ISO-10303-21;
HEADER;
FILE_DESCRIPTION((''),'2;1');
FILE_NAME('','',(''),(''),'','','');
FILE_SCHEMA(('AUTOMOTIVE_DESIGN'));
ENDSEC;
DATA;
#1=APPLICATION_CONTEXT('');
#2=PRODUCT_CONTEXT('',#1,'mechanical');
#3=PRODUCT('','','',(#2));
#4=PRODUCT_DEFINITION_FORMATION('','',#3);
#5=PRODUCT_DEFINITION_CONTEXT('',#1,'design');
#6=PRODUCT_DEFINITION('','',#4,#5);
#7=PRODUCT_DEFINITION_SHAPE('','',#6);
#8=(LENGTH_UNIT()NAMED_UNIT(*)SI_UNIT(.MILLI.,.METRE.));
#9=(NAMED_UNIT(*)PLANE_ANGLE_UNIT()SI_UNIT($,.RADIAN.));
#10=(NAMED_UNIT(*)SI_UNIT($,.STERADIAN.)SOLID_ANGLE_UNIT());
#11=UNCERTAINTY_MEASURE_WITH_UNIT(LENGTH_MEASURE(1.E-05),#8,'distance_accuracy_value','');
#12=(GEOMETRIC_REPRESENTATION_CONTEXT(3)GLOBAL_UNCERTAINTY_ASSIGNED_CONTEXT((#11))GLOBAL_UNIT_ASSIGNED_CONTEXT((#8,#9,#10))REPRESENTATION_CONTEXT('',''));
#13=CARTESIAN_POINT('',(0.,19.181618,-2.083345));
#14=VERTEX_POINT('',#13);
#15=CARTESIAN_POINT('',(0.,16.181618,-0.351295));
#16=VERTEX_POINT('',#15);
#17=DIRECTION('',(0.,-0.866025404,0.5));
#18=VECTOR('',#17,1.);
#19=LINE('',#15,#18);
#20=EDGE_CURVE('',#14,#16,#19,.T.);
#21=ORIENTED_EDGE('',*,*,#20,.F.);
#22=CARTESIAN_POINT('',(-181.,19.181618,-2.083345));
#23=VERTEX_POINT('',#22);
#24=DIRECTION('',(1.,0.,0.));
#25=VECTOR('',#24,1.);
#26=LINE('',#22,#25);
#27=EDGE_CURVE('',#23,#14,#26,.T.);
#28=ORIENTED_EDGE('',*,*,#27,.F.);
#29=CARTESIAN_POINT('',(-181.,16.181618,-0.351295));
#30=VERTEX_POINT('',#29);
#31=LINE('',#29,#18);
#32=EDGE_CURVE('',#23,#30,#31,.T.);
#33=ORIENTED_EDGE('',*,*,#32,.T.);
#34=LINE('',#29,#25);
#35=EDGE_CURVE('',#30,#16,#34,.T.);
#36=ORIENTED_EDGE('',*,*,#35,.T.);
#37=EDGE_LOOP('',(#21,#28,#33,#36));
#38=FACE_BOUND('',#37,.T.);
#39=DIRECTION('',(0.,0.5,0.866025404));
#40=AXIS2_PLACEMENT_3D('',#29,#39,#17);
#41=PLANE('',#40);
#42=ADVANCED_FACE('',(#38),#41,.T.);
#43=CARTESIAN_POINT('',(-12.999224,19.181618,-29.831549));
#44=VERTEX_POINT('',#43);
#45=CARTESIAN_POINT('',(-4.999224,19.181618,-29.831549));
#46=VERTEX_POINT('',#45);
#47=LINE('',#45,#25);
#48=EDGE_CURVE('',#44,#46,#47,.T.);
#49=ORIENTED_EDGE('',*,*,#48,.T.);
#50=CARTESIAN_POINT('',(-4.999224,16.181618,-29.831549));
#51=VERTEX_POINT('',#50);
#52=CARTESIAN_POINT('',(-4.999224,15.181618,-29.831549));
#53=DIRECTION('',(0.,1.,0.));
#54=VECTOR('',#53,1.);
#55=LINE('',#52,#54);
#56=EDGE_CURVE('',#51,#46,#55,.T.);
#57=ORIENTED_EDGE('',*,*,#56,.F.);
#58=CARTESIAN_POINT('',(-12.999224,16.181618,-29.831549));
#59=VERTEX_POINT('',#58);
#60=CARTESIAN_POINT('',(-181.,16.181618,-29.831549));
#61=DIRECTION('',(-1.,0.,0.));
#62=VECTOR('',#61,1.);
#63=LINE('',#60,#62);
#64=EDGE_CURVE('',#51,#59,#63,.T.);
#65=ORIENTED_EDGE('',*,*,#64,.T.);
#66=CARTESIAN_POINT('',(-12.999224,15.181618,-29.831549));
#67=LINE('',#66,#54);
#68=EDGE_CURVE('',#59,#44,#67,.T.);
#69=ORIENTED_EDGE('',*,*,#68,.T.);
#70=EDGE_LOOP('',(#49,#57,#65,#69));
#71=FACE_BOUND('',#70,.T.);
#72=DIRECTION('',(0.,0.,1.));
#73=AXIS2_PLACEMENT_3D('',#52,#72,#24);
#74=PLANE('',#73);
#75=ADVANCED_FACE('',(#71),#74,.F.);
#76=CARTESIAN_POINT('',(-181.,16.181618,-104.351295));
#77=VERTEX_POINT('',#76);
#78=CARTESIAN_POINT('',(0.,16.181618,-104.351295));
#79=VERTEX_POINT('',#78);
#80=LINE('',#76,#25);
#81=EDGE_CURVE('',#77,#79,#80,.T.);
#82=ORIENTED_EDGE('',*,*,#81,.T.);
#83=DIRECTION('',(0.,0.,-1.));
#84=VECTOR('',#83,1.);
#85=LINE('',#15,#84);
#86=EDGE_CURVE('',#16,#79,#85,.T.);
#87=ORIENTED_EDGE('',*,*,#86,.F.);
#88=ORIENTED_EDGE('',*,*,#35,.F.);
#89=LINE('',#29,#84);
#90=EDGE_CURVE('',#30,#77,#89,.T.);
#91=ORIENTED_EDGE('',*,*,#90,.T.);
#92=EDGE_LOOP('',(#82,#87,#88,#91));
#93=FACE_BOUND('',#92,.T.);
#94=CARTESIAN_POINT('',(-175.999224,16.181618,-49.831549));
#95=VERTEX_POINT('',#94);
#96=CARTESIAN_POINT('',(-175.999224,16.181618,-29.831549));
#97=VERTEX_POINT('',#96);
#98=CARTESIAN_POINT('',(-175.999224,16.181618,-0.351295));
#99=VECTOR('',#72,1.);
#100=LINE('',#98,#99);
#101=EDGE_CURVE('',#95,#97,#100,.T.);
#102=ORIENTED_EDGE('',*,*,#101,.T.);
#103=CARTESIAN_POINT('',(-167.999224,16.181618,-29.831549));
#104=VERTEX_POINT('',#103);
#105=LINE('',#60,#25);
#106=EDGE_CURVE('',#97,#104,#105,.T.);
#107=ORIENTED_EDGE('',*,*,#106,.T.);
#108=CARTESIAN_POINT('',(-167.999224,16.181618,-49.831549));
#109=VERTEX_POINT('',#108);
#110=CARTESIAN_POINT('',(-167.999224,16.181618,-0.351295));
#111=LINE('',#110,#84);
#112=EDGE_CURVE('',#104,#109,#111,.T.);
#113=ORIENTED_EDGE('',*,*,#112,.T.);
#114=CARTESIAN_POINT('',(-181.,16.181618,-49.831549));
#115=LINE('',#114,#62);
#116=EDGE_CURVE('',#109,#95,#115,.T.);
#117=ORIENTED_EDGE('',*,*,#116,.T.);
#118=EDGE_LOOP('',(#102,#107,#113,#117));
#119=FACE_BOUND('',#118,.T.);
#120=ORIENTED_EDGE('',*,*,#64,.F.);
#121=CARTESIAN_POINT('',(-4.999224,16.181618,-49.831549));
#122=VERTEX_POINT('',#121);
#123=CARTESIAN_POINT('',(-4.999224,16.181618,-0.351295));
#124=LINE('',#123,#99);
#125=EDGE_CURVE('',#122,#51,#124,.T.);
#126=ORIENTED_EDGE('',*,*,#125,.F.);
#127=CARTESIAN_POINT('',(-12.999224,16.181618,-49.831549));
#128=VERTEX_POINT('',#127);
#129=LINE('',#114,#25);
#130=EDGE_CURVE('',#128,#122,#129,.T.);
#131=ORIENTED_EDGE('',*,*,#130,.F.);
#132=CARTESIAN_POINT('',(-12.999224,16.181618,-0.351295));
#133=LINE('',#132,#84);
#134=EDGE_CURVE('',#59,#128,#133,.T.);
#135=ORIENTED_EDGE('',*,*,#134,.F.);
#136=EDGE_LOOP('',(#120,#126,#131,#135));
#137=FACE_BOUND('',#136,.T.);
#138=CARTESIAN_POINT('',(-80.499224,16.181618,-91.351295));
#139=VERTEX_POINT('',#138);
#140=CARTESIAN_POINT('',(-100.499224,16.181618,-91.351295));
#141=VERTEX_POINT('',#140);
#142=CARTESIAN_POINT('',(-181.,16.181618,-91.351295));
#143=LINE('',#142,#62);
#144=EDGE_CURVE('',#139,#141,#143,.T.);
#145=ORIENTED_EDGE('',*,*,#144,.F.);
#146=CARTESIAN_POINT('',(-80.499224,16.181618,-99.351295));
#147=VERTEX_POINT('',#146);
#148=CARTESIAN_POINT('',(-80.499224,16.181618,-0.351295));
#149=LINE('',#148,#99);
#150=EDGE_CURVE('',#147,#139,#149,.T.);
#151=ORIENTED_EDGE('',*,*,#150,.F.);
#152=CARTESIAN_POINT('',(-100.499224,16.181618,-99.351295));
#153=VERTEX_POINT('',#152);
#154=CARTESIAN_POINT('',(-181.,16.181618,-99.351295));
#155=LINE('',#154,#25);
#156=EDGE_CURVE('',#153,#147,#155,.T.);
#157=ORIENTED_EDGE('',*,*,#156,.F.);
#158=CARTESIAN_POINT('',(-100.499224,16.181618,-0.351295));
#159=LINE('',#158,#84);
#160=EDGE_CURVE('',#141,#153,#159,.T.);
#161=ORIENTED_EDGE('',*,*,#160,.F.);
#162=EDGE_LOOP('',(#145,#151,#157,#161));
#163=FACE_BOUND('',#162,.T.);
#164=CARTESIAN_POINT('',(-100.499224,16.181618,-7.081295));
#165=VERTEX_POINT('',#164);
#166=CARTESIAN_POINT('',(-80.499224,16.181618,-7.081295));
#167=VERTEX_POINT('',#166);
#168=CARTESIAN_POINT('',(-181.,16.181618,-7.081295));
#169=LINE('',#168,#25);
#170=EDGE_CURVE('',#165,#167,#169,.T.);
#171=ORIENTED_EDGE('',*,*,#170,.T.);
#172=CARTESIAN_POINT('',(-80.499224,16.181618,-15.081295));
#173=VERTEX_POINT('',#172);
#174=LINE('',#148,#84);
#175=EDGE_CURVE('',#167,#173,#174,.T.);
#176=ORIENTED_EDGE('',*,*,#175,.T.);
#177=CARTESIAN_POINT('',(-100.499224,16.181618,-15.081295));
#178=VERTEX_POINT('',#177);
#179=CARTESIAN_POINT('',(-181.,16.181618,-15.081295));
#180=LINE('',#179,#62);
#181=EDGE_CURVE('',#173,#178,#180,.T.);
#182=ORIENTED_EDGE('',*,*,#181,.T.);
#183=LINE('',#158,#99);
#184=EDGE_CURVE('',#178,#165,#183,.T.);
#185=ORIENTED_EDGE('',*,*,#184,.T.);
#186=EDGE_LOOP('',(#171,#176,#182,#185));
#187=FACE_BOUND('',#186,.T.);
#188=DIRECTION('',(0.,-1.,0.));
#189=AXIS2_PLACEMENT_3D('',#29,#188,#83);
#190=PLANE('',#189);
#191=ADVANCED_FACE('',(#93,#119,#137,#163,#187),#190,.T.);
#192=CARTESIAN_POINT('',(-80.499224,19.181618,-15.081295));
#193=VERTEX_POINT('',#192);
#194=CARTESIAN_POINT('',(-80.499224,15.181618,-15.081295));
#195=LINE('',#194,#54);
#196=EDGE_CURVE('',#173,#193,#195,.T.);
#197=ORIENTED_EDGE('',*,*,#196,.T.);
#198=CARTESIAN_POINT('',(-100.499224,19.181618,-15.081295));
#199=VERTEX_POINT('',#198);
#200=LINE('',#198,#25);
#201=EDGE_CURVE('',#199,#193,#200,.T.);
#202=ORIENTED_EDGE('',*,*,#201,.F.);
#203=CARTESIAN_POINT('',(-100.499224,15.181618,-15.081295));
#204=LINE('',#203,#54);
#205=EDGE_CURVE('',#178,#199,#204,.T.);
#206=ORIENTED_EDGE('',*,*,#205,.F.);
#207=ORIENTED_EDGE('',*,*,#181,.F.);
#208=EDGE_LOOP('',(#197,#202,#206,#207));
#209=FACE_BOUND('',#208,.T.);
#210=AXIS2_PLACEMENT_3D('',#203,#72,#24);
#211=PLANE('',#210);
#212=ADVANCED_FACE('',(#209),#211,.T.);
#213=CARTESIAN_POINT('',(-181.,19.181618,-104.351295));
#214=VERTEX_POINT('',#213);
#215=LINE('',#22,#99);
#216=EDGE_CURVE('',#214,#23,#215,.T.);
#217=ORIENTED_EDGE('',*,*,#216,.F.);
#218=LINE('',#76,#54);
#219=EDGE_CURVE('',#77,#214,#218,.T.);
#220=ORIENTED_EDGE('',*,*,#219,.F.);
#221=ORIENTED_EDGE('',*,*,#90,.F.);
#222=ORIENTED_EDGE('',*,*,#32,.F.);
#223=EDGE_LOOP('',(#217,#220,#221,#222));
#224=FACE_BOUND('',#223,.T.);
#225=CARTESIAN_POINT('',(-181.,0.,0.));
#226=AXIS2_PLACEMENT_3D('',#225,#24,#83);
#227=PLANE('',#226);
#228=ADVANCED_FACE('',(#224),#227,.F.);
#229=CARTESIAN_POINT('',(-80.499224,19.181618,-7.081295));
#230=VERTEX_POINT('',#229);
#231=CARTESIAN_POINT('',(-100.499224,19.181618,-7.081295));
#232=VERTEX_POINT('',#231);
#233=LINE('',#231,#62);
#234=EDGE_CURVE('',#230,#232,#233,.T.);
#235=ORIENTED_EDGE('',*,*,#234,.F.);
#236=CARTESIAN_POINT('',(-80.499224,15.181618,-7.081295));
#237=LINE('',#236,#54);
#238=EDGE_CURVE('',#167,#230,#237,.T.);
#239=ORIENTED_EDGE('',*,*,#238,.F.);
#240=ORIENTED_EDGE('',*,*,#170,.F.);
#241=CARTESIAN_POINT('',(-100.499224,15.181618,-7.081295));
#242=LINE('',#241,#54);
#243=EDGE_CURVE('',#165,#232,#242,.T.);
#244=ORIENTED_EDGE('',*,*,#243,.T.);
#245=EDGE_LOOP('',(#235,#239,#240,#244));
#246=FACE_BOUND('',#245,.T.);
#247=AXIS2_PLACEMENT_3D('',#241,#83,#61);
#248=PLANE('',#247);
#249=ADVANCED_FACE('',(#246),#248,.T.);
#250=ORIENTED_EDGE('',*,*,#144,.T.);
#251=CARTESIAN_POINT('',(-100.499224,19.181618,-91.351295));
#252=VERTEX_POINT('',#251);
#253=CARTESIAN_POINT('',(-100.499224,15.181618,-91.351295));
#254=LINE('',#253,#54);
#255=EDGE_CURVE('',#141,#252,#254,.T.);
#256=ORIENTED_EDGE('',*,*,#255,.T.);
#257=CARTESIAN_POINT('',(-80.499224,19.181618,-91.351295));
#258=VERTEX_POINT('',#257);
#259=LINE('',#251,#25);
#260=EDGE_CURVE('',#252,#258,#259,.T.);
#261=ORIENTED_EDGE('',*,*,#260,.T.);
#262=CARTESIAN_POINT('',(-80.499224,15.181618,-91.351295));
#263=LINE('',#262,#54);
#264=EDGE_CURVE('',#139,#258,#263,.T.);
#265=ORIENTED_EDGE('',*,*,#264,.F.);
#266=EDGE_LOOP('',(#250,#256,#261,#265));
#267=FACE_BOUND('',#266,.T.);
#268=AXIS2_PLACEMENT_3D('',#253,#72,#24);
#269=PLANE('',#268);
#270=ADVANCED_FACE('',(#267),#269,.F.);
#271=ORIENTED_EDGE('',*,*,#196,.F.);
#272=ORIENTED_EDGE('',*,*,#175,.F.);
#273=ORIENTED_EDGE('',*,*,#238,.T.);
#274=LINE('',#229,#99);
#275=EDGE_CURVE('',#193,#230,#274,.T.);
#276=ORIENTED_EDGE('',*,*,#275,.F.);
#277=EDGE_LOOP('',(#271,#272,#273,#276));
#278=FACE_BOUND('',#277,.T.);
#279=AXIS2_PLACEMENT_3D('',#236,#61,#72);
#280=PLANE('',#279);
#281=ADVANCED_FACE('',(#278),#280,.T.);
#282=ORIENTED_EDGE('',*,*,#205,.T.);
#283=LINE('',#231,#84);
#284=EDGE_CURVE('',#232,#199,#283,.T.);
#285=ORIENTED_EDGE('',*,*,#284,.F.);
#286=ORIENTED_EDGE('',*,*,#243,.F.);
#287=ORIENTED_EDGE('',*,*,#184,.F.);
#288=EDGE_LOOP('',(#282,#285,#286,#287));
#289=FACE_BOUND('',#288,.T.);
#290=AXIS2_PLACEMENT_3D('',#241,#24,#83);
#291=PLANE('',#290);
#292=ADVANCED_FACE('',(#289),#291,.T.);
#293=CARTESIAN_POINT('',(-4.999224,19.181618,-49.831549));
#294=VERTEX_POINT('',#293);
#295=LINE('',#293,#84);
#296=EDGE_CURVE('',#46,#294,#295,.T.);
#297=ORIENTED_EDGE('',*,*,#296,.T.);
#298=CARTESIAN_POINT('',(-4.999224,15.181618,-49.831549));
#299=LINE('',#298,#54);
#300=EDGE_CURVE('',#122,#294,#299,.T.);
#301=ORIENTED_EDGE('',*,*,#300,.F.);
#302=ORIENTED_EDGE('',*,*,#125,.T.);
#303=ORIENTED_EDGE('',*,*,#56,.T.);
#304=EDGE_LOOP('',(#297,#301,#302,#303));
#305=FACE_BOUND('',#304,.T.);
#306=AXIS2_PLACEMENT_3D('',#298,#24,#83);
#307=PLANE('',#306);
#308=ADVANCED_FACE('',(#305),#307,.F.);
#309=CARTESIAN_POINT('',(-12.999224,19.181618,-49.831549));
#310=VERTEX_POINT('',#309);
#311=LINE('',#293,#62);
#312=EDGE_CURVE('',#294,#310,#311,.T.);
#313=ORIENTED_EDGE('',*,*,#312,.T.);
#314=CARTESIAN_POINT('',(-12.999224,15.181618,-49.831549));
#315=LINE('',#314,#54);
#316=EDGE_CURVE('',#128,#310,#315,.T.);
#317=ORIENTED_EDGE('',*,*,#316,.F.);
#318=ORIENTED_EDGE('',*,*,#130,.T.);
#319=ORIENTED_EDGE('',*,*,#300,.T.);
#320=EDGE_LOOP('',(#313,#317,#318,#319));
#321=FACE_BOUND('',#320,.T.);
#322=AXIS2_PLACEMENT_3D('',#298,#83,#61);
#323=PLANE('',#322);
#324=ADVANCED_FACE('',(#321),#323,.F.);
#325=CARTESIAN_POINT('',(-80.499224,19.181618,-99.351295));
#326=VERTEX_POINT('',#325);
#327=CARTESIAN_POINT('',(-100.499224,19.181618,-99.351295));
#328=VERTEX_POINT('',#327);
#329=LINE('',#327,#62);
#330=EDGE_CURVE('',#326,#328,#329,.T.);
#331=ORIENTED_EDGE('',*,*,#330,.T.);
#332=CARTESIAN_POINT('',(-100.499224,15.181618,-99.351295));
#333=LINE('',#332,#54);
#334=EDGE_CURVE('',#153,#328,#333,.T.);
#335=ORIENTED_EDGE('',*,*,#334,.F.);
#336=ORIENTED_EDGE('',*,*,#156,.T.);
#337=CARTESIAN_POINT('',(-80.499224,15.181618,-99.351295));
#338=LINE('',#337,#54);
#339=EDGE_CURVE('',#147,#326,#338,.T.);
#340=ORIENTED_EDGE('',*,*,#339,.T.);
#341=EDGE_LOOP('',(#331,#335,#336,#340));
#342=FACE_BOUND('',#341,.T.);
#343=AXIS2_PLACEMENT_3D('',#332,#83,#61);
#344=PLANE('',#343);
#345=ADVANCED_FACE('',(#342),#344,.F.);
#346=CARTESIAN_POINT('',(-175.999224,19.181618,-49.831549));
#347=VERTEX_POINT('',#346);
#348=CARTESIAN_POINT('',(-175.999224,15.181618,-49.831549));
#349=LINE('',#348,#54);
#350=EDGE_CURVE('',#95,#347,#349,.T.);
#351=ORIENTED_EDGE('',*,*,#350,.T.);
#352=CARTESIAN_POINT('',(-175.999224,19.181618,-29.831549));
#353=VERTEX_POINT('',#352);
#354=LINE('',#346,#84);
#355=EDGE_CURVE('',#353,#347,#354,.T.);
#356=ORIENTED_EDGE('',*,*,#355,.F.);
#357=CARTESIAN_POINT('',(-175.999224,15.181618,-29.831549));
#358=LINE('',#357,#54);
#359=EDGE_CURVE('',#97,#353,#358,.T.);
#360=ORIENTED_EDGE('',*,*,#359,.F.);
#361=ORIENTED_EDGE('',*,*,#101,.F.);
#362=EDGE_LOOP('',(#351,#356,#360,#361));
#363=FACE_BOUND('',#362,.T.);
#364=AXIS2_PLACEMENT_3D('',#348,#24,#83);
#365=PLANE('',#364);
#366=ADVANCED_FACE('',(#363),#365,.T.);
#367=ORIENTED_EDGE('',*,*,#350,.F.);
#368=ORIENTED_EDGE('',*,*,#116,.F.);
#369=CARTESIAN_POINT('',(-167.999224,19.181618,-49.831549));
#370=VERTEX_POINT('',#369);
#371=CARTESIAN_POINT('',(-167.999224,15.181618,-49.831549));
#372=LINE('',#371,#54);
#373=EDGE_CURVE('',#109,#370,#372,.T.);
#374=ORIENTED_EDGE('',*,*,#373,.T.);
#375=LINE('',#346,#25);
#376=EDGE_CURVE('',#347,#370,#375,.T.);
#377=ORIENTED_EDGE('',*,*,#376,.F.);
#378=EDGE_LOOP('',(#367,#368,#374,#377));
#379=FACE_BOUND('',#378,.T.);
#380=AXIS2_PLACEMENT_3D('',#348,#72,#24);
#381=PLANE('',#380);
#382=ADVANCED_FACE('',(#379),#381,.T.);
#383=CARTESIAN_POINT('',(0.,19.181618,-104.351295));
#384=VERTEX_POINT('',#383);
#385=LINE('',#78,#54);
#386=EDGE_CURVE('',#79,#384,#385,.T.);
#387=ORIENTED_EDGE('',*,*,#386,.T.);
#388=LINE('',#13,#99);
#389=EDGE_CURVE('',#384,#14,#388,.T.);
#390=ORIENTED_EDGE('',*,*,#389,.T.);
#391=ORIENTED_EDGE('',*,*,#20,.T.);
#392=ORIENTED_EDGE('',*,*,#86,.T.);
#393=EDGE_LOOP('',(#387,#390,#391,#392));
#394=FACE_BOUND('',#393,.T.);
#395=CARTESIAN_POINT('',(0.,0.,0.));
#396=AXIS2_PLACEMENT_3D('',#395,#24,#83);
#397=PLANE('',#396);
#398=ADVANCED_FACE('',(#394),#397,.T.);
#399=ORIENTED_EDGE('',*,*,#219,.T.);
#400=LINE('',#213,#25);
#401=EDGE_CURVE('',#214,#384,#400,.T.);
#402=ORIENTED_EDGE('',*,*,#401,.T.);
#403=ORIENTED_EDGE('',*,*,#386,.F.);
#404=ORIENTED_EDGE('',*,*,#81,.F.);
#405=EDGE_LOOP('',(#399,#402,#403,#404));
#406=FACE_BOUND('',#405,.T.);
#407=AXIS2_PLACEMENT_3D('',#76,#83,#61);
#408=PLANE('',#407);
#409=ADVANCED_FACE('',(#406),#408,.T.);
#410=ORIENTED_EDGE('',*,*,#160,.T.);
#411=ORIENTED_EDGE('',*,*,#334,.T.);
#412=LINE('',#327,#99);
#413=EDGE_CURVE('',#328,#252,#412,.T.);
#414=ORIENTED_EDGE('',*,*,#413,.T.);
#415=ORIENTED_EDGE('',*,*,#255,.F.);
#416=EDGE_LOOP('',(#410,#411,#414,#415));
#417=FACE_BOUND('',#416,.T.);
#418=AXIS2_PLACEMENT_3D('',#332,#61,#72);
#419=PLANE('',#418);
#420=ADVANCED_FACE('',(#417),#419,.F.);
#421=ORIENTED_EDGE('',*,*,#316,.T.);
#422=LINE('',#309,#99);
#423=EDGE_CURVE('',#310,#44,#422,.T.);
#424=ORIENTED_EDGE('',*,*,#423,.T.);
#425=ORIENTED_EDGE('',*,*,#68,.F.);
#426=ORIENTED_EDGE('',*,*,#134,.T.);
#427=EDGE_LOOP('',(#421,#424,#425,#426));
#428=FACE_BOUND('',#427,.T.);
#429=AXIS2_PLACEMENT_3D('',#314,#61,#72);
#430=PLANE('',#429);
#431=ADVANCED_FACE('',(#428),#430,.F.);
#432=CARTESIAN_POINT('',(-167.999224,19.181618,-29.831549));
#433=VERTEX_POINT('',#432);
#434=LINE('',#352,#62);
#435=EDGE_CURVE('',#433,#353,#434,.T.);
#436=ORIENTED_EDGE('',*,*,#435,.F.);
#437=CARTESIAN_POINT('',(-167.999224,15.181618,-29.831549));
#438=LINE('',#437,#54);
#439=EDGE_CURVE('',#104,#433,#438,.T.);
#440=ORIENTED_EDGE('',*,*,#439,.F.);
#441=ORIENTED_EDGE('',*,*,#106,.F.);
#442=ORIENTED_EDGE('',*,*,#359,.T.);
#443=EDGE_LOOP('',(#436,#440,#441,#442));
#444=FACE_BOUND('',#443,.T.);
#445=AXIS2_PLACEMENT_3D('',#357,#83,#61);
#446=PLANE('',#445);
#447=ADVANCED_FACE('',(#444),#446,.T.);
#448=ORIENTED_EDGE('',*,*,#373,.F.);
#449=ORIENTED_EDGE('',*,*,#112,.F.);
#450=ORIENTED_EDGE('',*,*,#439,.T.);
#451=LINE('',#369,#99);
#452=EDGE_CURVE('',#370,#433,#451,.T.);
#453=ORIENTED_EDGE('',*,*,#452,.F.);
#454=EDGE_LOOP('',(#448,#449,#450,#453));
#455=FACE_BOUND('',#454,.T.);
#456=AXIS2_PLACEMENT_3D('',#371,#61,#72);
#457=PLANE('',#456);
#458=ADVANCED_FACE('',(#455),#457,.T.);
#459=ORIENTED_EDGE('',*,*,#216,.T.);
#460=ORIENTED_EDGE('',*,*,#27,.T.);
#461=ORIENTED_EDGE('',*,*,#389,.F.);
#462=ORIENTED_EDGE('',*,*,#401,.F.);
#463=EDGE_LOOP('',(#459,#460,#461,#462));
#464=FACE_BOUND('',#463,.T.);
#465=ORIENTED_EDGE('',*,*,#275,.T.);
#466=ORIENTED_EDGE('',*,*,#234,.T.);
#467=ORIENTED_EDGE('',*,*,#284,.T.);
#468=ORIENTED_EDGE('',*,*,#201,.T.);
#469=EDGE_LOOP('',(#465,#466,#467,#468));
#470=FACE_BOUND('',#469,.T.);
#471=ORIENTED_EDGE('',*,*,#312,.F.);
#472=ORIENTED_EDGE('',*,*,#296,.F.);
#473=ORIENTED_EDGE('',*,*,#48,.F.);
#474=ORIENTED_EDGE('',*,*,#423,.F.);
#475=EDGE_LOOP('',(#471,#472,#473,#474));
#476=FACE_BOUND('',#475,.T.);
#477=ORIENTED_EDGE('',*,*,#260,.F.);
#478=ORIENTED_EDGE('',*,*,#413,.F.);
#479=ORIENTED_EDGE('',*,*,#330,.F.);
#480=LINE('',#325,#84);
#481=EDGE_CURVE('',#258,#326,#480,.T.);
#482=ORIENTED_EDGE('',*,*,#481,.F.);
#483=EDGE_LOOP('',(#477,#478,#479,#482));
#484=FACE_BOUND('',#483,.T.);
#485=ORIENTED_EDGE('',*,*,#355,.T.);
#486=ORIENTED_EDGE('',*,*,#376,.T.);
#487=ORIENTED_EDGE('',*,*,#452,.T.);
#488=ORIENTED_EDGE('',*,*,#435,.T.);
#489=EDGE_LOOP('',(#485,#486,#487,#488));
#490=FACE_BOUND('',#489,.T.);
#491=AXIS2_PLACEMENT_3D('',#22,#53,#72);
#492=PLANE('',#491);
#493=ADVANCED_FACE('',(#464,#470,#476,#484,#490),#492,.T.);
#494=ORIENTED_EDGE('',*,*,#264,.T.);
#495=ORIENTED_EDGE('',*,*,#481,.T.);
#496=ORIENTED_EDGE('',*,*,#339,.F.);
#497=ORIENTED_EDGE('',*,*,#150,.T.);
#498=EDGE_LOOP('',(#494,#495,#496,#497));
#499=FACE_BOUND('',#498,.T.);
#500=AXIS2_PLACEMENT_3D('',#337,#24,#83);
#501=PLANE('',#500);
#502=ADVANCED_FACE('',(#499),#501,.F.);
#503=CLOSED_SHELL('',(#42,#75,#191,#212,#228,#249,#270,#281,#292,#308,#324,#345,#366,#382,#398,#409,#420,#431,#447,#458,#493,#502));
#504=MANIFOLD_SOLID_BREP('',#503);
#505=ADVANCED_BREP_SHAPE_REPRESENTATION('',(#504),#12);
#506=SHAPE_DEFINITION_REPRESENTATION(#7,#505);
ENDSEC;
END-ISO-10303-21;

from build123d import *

# Parameters (mm, degrees)
BOSS_EXTRUDE1_DEPTH = 181
SKETCH2_W           = 20
SKETCH2_H           = 8
SKETCH2_W_2         = 8
SKETCH2_H_2         = 20
CUT_EXTRUDE1_DEPTH  = 4
SKETCH3_W           = 11.684269825
SKETCH3_H           = 21.954659585
BOSS_EXTRUDE2_DEPTH = 3


with BuildPart() as part:
    # Sketch1 → Boss-Extrude1 (new body)
    with BuildSketch(Plane(origin=(0, 0, 0), x_dir=(0, 0, -1), z_dir=(1, 0, 0))):
        Polygon((0.351294643, 16.181618247), (2.08334545, 19.181618247), (104.351294643, 19.181618247), (104.351294643, 16.181618247), align=None)
    extrude(amount=-BOSS_EXTRUDE1_DEPTH)

    # Sketch2 → Cut-Extrude1 (cut)
    with BuildSketch(Plane(origin=(0, 19.181618247, 0), x_dir=(1, 0, 0), z_dir=(0, 1, 0))):
        with Locations((-90.499224225, 95.351294643)):
            Rectangle(SKETCH2_W, SKETCH2_H)
        with Locations((-8.999224225, 39.831548681)):
            Rectangle(SKETCH2_W_2, SKETCH2_H_2)
    cut_extrude1 = extrude(amount=-CUT_EXTRUDE1_DEPTH, mode=Mode.SUBTRACT)

    # Mirror1: Cut-Extrude1 across plane
    add(cut_extrude1.mirror(Plane.ZY.offset(90.499224225)), mode=Mode.SUBTRACT)

    # Mirror2: Cut-Extrude1 across plane
    add(cut_extrude1.mirror(Plane(origin=(0, 0, -53.216294643), x_dir=(1, 0, 0), z_dir=(0, 0, -1))), mode=Mode.SUBTRACT)

    # Sketch3 → Boss-Extrude2 (add)
    with BuildSketch(Plane(origin=(0, 19.181618247, 0), x_dir=(1, 0, 0), z_dir=(0, 1, 0))):
        with Locations((-10.841359137, 66.584328743)):
            Rectangle(SKETCH3_W, SKETCH3_H)
    extrude(amount=-BOSS_EXTRUDE2_DEPTH)


solid = part.part
